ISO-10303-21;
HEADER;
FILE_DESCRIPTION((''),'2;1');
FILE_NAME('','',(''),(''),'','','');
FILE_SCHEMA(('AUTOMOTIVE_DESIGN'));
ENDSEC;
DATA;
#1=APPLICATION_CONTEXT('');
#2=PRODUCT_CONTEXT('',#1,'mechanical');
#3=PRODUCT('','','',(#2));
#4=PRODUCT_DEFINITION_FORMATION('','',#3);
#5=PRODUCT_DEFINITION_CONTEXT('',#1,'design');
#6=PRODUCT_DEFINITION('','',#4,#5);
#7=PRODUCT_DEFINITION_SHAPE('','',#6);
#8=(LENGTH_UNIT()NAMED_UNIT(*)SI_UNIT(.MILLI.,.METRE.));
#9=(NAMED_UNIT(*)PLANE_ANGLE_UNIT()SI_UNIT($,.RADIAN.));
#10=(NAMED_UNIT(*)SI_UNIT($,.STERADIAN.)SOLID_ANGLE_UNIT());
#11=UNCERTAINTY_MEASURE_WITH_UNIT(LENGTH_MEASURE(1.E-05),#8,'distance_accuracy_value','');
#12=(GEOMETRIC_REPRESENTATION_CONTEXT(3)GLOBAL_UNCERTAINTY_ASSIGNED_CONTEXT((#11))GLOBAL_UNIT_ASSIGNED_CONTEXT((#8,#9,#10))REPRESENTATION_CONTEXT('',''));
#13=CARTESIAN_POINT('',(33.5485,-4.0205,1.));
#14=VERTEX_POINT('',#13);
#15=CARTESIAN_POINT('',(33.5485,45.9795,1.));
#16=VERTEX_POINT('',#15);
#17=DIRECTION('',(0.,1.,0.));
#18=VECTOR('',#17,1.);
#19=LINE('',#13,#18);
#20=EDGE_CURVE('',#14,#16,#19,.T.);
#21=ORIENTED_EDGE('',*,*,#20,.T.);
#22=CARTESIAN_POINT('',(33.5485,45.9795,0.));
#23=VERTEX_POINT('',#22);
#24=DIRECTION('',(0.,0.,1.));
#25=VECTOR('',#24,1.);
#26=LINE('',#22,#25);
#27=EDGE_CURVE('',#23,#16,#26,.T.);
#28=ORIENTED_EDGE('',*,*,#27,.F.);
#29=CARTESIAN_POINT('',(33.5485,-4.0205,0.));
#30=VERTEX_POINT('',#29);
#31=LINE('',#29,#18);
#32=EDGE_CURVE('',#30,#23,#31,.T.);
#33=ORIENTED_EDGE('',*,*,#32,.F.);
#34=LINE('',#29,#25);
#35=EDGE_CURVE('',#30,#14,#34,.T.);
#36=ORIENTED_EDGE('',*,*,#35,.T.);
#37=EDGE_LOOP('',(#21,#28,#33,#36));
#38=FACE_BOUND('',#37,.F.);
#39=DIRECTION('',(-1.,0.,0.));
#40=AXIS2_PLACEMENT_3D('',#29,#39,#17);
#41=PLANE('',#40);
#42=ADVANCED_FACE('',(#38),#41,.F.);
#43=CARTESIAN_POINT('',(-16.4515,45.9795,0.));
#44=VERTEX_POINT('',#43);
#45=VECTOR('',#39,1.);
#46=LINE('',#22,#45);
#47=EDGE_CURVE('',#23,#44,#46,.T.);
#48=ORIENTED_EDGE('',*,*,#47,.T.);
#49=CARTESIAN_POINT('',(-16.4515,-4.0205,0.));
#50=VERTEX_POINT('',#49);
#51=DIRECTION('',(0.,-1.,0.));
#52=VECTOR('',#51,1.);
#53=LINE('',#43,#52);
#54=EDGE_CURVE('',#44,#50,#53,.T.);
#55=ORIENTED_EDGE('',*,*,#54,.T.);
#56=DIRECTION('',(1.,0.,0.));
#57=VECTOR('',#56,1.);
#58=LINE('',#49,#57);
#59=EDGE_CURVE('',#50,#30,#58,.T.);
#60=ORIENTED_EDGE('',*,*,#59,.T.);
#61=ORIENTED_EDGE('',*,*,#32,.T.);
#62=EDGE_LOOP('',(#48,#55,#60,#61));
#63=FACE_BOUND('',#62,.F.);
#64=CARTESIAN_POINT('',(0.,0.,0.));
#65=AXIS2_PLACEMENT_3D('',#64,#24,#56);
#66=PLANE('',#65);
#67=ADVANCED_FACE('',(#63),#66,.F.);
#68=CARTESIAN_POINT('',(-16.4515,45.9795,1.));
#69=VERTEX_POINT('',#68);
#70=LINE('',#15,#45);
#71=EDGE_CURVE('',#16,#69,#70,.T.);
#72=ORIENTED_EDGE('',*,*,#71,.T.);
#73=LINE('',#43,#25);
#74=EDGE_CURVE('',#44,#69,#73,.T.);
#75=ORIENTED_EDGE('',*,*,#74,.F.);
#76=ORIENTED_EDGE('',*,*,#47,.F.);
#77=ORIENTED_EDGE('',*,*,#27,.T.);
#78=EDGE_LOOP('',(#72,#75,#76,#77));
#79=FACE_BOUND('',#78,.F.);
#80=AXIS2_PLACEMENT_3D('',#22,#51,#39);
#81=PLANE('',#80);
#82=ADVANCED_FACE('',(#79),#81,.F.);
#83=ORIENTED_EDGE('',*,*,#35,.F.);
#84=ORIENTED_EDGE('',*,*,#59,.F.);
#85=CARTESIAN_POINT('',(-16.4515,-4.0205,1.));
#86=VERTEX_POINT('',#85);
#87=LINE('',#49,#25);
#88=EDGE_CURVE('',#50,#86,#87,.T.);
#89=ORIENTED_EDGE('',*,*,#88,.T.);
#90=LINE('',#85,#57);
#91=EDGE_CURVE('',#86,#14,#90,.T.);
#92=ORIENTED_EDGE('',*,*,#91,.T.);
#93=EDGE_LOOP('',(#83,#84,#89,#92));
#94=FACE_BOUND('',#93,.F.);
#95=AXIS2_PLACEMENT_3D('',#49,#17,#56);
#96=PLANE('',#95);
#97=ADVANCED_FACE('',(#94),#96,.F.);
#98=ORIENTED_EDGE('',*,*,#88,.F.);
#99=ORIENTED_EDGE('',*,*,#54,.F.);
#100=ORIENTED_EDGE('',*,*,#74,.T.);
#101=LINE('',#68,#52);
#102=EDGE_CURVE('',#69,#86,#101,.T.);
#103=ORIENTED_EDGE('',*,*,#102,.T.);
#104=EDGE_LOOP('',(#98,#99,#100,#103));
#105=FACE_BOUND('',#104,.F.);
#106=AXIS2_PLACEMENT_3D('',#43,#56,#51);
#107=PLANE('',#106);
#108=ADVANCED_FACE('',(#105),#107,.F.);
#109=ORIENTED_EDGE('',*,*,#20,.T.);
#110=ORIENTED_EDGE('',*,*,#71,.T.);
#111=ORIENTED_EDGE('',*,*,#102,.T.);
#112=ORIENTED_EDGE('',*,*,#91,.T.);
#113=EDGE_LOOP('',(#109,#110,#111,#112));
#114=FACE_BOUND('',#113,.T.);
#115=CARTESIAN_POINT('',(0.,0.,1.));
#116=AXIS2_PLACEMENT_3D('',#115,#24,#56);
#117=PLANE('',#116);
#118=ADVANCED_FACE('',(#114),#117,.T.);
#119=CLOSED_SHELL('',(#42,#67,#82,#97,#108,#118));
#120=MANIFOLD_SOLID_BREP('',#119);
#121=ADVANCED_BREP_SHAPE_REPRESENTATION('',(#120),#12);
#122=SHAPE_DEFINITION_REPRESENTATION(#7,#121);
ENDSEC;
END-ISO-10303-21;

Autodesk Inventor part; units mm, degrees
ref_plane "YZ Plane" through (0, 0, 0) normal (1, 0, 0) x (0, 1, 0)
ref_plane "XZ Plane" through (0, 0, 0) normal (0, 1, 0) x (-1, 0, 0)
ref_plane "XY Plane" through (0, 0, 0) normal (0, 0, 1) x (1, 0, 0)
sketch "Sketch1" plane through (0, 0, 0) normal (0, 0, 1) x (1, 0, 0)
  line L0 (-16.4515, -4.0205) -> (33.5485, -4.0205)
  line L1 (33.5485, -4.0205) -> (33.5485, 45.9795)
  line L2 (33.5485, 45.9795) -> (-16.4515, 45.9795)
  line L3 (-16.4515, 45.9795) -> (-16.4515, -4.0205)
  point P0 (0, 0)
  dimension "d0" = 50
  dimension "d1" = 50
extrude "Extrusion1" add sketch "Sketch1" along normal blind 1
properties part number "PCB Seguridad de Puertas"
